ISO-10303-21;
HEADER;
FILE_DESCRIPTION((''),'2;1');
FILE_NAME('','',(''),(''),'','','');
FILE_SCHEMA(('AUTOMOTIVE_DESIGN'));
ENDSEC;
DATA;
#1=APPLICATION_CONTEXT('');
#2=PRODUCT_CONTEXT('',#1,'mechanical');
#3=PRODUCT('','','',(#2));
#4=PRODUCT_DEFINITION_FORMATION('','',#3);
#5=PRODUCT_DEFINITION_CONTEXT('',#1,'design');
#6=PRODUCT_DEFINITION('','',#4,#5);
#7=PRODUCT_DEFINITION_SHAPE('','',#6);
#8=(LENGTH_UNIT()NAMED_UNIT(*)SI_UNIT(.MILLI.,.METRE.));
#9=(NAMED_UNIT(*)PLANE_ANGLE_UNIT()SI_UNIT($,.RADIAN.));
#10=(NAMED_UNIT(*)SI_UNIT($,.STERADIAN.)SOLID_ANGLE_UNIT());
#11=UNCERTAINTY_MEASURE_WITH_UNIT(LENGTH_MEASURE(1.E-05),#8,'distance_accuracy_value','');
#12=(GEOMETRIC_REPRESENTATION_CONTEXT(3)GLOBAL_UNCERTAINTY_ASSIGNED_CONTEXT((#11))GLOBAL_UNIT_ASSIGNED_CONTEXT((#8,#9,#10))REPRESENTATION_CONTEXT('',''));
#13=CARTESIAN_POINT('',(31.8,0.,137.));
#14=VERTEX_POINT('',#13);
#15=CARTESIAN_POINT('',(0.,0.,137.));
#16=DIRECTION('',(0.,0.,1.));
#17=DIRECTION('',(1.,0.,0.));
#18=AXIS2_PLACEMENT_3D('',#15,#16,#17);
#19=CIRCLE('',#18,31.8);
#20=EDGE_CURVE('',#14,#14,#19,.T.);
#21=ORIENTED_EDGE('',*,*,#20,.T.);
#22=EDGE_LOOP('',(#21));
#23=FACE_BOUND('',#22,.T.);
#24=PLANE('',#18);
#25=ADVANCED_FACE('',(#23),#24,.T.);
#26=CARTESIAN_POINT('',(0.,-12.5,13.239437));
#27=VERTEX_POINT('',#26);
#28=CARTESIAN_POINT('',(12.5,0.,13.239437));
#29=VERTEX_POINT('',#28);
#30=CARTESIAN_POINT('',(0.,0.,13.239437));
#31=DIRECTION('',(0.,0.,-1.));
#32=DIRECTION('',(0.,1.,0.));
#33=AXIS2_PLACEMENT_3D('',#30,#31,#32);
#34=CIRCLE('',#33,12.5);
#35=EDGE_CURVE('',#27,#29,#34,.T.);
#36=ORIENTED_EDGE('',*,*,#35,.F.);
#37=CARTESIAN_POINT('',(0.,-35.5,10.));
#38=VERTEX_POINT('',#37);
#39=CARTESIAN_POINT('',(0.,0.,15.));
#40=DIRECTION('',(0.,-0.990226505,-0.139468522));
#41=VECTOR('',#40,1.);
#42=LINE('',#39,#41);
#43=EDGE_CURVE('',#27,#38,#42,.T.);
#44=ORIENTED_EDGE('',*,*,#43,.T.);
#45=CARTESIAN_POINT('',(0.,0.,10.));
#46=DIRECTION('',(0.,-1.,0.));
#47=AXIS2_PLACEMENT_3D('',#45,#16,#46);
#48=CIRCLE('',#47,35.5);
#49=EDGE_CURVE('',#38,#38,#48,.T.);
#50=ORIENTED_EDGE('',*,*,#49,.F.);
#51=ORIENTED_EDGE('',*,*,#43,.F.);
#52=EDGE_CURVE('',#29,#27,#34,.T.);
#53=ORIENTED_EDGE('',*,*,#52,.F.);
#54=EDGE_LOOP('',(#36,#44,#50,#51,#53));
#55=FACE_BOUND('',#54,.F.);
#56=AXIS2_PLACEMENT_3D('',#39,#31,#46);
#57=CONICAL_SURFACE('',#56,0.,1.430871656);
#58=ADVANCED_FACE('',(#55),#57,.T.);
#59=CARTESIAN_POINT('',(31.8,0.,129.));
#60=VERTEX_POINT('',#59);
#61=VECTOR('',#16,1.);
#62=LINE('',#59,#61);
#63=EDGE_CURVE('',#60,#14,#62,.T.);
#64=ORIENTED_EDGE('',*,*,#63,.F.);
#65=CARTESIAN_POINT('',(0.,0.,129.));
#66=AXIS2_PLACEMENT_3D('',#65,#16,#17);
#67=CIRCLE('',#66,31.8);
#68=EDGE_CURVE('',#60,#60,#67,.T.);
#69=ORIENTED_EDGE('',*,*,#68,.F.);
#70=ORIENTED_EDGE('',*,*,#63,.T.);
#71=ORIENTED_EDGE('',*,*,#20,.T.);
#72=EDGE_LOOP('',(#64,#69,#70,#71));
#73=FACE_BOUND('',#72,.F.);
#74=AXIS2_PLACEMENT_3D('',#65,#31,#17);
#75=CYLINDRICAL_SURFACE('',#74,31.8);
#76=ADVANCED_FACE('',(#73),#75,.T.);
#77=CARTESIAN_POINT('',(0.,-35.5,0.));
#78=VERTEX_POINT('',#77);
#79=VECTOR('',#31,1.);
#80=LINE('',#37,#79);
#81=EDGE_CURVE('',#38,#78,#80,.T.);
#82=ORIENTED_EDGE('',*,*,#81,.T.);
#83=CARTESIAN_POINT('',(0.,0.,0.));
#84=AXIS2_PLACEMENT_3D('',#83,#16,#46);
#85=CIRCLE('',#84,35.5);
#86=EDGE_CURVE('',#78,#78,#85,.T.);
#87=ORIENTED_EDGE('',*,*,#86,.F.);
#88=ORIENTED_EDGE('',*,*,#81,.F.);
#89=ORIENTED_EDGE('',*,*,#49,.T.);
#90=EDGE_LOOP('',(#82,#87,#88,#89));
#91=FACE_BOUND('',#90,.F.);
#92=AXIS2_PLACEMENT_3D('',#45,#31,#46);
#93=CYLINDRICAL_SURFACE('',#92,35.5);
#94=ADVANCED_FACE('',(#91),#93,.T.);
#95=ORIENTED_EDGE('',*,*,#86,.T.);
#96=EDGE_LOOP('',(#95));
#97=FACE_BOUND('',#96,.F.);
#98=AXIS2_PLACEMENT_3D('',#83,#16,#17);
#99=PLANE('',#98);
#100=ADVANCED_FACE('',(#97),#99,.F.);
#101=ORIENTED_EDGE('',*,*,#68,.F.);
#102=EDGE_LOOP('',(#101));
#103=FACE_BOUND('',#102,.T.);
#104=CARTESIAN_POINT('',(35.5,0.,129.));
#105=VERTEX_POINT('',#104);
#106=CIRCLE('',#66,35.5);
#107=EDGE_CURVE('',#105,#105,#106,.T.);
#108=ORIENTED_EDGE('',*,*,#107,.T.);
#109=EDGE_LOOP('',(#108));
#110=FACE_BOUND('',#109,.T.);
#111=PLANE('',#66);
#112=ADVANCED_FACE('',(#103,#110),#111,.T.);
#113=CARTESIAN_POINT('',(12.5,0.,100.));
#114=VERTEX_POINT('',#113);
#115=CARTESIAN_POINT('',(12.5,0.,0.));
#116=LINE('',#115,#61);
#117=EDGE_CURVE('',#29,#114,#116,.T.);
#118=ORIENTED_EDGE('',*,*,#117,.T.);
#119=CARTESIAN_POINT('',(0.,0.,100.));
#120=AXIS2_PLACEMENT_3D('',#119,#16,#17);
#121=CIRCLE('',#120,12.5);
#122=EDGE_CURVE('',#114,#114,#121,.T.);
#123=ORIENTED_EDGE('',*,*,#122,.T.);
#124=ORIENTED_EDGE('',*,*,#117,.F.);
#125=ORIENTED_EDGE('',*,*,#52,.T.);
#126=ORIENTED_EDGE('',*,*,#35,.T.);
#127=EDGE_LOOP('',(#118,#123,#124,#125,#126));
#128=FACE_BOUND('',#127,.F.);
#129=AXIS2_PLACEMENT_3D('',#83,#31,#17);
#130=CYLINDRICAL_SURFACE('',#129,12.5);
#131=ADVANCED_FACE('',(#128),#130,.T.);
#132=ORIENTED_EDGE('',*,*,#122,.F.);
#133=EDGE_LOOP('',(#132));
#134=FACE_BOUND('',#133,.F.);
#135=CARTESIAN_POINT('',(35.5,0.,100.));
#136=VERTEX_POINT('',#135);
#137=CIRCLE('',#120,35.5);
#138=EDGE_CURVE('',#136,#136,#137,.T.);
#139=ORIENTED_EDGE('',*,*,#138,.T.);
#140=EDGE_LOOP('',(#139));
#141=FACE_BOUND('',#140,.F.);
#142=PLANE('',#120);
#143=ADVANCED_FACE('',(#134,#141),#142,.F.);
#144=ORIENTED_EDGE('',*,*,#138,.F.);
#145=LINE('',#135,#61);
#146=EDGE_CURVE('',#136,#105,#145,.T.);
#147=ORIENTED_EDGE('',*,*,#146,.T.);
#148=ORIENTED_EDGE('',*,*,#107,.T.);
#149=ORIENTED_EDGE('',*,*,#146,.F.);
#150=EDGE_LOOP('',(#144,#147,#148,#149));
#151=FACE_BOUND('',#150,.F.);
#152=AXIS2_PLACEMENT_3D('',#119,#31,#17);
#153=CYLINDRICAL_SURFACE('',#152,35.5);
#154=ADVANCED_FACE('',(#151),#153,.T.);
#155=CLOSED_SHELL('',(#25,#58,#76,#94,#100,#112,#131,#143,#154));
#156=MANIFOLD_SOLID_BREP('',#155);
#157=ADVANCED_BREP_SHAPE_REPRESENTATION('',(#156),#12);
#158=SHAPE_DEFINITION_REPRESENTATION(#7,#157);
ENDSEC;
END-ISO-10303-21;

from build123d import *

# Parameters (mm, degrees)
F2_R     = 12.5
F3_DEPTH = 100
F4_R     = 35.5
F5_DEPTH = 29
F6_R     = 31.8
F7_DEPTH = 8


with BuildPart() as f1:
    # F0 (on Right) → F1 (revolve)
    with BuildSketch(Plane.YZ):
        Polygon((0, 0), (0, 15), (-35.5, 10), (-35.5, 0), align=None)
    revolve(axis=Axis((0, 0, 2.476192), (0, 0, 1)))

    # F2 (on Top) → F3 (join)
    with BuildSketch(Plane.XY):
        Circle(F2_R)
    extrude(amount=F3_DEPTH)

    # F4 (on face) → F5 (join)
    with BuildSketch(Plane.XY.offset(100)):
        Circle(F4_R)
    extrude(amount=F5_DEPTH)

    # F6 (on face) → F7 (join)
    with BuildSketch(Plane.XY.offset(129)):
        Circle(F6_R)
    extrude(amount=F7_DEPTH)


solid = f1.part
